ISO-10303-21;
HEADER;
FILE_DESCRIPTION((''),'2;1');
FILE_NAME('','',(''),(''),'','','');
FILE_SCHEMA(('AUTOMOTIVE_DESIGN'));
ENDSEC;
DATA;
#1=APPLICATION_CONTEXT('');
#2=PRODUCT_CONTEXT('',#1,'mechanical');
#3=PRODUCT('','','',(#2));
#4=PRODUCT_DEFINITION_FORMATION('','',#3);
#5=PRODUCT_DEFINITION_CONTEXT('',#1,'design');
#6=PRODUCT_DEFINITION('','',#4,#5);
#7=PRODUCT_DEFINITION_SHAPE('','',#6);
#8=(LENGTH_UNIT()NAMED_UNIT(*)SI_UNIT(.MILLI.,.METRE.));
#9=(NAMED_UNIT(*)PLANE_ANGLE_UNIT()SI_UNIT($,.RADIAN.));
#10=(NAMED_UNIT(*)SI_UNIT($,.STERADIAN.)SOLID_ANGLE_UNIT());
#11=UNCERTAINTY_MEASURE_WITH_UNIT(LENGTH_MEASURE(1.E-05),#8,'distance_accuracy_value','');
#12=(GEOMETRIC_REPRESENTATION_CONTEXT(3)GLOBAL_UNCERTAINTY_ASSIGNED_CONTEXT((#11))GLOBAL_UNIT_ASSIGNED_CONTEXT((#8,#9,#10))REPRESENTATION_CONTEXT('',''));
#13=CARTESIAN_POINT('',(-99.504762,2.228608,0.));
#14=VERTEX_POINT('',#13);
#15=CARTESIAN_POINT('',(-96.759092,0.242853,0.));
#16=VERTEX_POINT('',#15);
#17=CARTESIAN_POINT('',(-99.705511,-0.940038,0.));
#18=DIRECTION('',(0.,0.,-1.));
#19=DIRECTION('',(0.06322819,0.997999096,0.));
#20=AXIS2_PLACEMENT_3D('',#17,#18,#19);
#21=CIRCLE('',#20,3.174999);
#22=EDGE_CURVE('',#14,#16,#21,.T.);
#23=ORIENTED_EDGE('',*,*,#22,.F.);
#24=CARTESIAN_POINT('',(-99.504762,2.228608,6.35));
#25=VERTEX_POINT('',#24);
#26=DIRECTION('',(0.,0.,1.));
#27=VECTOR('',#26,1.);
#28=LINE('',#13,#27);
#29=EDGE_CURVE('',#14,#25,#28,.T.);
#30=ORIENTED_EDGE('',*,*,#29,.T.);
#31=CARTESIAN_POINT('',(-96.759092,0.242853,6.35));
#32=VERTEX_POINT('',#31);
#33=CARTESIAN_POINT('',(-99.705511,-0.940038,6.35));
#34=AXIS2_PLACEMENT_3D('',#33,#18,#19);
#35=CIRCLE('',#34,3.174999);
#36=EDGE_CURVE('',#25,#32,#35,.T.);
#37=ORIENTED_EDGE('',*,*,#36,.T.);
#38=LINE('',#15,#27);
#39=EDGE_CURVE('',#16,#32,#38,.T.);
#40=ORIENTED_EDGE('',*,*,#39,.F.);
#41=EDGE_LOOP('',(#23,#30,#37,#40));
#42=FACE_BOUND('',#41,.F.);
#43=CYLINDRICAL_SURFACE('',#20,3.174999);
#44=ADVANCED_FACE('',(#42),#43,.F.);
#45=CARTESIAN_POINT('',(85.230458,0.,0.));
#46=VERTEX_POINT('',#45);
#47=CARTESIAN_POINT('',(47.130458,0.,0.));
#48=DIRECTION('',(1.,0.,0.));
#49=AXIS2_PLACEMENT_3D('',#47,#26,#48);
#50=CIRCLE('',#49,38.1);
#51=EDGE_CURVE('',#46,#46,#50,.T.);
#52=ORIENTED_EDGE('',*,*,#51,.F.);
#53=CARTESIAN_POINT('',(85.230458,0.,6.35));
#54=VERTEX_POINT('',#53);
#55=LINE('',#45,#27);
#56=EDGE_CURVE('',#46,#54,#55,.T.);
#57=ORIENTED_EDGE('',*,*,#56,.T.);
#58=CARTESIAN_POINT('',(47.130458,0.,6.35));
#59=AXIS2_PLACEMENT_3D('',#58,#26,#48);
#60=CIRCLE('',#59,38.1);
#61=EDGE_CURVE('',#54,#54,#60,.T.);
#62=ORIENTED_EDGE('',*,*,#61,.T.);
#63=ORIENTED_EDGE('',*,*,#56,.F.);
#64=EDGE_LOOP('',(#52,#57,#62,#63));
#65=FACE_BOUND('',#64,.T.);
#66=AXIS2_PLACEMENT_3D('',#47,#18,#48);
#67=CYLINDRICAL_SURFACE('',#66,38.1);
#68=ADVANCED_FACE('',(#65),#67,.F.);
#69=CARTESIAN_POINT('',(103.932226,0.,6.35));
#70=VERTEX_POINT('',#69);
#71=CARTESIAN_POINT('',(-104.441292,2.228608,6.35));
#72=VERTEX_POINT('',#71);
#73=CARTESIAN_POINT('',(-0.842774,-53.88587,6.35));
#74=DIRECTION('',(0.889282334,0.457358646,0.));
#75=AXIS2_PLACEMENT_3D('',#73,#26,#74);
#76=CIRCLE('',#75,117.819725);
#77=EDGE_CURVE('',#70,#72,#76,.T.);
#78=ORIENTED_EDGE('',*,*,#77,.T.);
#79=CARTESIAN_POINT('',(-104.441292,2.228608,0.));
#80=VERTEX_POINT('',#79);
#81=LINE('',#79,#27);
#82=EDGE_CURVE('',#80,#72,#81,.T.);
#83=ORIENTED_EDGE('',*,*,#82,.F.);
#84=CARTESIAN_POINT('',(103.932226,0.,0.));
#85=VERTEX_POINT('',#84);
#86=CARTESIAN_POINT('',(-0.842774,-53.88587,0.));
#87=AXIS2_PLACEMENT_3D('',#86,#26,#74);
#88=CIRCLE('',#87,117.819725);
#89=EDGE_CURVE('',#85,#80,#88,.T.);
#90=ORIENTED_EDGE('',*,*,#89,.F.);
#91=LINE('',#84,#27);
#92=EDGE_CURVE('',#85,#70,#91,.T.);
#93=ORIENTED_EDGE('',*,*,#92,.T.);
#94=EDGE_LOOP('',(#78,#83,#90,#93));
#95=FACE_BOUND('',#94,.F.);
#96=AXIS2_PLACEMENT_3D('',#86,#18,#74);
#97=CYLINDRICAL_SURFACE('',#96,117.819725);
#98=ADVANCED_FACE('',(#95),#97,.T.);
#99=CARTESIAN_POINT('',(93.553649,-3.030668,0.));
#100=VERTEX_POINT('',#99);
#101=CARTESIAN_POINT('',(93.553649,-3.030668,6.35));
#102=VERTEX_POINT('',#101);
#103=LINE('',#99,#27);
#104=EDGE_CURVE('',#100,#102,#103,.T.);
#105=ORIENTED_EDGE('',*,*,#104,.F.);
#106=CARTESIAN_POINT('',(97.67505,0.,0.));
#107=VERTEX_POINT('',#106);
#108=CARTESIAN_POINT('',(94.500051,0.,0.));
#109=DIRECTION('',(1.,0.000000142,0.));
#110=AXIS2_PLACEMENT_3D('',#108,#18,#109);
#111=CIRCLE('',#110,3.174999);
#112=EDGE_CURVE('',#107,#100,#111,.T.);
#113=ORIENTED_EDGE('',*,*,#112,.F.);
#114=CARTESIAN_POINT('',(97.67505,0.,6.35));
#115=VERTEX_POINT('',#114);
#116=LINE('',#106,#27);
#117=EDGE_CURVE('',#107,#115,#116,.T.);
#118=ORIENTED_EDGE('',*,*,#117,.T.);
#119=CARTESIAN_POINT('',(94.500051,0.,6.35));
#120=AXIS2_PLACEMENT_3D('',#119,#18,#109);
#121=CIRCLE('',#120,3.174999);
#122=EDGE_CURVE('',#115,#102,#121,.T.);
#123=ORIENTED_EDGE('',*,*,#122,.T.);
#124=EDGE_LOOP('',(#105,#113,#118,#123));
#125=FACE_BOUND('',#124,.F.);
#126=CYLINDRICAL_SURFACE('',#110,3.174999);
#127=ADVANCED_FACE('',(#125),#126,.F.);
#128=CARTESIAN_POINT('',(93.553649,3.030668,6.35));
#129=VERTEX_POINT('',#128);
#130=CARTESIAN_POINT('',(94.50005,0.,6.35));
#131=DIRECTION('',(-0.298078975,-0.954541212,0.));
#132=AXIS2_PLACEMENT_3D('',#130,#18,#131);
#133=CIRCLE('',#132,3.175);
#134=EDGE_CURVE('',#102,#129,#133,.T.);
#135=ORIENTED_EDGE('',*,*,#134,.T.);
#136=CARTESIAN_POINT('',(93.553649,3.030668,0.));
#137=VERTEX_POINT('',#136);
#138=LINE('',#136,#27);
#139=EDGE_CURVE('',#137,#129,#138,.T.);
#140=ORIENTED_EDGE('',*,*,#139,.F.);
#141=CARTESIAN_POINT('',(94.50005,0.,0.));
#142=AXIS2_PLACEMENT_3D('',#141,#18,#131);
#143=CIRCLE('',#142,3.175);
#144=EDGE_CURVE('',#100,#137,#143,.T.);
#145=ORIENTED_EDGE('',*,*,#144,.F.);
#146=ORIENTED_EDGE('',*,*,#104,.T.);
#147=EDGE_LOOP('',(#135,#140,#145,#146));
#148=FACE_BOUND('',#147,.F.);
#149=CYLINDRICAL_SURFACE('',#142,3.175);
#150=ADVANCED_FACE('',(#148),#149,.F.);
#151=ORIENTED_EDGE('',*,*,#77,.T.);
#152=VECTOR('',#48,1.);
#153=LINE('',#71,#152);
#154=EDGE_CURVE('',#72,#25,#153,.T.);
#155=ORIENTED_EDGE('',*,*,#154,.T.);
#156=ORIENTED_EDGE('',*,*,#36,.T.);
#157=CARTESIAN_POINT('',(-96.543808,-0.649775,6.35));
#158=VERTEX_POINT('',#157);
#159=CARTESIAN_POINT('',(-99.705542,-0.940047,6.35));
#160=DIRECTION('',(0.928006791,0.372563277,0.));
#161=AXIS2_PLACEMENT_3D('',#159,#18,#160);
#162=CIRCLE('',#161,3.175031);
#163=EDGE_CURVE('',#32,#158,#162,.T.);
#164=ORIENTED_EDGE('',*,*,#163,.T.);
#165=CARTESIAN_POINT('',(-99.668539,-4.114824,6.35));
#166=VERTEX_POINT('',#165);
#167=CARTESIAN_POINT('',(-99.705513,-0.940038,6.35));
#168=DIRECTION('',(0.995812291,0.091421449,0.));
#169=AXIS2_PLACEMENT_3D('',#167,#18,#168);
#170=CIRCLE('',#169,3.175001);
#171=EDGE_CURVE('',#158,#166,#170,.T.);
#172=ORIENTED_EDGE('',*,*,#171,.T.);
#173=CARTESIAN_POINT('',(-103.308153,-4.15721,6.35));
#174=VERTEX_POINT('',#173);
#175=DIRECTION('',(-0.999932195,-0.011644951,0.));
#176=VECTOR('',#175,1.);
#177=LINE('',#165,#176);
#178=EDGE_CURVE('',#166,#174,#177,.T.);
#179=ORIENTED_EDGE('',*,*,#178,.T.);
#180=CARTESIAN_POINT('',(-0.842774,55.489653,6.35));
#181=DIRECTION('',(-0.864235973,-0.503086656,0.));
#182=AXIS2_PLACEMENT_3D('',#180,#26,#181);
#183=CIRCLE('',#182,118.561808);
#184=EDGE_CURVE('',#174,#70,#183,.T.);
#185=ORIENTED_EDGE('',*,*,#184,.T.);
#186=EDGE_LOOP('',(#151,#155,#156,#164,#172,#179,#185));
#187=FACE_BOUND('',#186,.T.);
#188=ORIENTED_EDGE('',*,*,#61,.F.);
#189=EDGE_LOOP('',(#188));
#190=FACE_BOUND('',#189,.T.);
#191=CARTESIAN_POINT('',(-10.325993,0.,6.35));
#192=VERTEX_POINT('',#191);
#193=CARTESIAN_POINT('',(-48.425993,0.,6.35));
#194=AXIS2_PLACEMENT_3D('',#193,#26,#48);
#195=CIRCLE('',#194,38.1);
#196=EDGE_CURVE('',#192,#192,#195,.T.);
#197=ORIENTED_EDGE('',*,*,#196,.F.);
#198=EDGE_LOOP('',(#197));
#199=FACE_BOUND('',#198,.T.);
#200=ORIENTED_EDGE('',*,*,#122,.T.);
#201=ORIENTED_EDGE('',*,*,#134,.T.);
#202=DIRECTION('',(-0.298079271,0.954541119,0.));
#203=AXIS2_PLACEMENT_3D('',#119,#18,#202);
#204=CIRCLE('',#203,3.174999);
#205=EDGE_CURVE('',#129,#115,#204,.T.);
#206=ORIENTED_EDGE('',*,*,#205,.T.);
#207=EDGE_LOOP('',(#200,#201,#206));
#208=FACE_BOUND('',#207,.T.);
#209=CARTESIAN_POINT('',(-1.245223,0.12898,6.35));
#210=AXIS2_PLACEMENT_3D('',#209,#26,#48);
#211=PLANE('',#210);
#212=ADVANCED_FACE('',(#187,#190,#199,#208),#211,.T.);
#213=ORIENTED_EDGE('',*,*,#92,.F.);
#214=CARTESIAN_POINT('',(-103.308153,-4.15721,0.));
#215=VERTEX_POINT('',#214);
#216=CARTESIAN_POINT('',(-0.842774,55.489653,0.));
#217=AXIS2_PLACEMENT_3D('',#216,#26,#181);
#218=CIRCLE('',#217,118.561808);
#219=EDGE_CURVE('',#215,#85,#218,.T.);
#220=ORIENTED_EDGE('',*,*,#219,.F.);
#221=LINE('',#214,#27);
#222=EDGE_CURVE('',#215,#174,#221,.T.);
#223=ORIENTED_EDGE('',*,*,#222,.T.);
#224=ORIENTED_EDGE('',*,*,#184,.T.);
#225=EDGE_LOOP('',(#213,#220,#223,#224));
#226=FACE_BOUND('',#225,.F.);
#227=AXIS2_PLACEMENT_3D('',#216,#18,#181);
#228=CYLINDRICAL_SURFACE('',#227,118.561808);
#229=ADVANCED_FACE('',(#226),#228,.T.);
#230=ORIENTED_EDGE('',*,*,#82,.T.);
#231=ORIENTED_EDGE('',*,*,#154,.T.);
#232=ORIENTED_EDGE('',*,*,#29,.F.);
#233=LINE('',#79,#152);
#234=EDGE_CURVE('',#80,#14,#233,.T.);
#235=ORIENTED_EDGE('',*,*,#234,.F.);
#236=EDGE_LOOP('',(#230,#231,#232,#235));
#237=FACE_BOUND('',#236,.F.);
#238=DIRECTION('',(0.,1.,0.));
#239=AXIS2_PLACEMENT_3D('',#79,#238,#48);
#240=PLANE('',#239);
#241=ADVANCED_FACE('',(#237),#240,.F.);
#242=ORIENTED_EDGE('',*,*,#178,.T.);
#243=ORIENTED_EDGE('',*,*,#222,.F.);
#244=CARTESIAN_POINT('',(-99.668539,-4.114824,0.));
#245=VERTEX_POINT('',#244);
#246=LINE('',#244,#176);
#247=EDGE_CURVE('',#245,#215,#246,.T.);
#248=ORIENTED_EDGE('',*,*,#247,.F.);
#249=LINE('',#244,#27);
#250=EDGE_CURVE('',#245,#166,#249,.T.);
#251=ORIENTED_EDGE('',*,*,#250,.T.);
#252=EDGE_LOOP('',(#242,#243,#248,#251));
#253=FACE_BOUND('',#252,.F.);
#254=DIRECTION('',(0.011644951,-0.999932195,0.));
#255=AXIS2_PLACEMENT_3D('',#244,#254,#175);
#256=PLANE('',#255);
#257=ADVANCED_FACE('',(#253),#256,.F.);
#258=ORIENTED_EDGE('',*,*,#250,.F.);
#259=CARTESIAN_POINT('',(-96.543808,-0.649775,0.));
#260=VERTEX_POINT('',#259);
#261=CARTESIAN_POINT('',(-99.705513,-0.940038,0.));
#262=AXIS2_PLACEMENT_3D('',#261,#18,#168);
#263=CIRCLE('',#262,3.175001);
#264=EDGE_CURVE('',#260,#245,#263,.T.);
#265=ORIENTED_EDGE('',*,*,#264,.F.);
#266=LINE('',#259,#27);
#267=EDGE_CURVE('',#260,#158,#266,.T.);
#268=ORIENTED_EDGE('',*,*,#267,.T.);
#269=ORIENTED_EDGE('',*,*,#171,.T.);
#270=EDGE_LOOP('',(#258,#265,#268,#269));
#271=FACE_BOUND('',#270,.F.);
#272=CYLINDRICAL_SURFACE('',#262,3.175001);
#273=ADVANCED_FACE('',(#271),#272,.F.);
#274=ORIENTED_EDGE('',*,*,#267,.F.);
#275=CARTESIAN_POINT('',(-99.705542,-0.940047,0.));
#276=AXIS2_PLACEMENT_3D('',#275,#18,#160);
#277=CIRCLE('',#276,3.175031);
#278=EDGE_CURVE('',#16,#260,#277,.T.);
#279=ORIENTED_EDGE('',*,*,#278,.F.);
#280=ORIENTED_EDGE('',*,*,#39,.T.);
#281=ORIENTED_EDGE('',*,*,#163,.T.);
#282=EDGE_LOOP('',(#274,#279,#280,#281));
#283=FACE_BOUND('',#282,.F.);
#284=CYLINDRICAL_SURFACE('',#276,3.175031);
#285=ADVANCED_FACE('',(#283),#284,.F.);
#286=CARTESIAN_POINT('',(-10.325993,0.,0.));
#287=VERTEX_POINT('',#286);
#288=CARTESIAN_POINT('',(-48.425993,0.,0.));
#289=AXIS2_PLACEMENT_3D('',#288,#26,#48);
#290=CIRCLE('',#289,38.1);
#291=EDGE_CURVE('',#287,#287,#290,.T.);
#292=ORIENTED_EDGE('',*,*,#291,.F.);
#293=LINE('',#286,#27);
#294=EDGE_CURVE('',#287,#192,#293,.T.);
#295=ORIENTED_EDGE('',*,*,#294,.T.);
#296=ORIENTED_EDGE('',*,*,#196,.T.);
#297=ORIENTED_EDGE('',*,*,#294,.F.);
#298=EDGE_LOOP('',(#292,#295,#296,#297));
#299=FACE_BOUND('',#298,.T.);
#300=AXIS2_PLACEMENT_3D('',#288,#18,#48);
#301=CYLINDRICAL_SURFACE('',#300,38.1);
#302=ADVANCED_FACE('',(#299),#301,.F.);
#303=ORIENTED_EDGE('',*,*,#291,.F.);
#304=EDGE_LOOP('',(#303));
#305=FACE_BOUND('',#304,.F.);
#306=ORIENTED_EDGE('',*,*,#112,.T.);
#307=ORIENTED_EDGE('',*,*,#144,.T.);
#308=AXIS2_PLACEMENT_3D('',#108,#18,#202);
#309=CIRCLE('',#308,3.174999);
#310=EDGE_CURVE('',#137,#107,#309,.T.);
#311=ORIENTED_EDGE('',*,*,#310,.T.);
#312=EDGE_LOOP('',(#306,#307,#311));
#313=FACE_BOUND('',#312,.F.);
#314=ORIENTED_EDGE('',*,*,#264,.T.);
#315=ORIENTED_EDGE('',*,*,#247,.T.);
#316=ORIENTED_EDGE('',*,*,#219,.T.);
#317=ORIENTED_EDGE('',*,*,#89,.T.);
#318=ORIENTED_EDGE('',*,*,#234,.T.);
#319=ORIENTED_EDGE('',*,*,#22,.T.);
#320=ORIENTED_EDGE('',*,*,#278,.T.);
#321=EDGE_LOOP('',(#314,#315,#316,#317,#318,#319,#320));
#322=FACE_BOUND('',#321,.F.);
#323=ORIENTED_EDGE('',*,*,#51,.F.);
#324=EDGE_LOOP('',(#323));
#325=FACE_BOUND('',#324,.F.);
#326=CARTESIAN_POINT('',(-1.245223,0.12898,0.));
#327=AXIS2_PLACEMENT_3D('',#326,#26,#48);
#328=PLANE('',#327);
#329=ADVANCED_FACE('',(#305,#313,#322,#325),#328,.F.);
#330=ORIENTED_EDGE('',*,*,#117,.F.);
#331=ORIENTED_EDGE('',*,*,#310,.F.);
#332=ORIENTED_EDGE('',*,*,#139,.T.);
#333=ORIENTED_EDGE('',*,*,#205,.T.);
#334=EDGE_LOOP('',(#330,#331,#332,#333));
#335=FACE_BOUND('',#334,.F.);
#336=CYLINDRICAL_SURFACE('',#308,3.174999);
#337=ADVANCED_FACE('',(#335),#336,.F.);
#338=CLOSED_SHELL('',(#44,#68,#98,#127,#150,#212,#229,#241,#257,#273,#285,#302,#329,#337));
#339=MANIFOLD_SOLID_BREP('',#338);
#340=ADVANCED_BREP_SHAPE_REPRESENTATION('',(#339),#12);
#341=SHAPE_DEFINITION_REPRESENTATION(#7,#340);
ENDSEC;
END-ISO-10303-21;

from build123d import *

# Parameters (mm, degrees)
F0_R     = 38.1
F1_DEPTH = 6.35


with BuildPart() as f1:
    # F0 (on Top) → F1 (new body)
    with BuildSketch(Plane.XY):
        with BuildLine():
            ThreePointArc((-103.308153, -4.15721), (1.53508, -63.048307), (103.932226, 0))
            ThreePointArc((103.932226, 0), (0.417267, 63.927117), (-104.441292, 2.228608))
            Line((-104.441292, 2.228608), (-99.504762, 2.228608))
            ThreePointArc((-99.504762, 2.228608), (-97.844874, 1.632635), (-96.759092, 0.242853))
            ThreePointArc((-96.759092, 0.242853), (-2.430381, 58.137719), (93.553649, 3.030668))
            ThreePointArc((93.553649, 3.030668), (96.380981, 2.557875), (97.67505, 0))
            ThreePointArc((97.67505, 0), (96.380981, -2.557875), (93.553649, -3.030668))
            ThreePointArc((93.553649, -3.030668), (-2.200222, -58.140846), (-96.543808, -0.649775))
            ThreePointArc((-96.543808, -0.649775), (-97.347648, -3.066327), (-99.668539, -4.114824))
            Line((-99.668539, -4.114824), (-103.308153, -4.15721))
        make_face()
        with BuildLine():
            ThreePointArc((93.553649, 3.030668), (-2.430381, 58.137719), (-96.759092, 0.242853))
            ThreePointArc((-96.759092, 0.242853), (-96.619011, -0.195637), (-96.543808, -0.649775))
            ThreePointArc((-96.543808, -0.649775), (-2.200222, -58.140846), (93.553649, -3.030668))
            ThreePointArc((93.553649, -3.030668), (91.32505, 0), (93.553649, 3.030668))
        make_face()
        with Locations((-48.425993, 0)):
            Circle(F0_R, mode=Mode.SUBTRACT)
        with Locations((47.130458, 0)):
            Circle(F0_R, mode=Mode.SUBTRACT)
    extrude(amount=F1_DEPTH)


solid = f1.part
